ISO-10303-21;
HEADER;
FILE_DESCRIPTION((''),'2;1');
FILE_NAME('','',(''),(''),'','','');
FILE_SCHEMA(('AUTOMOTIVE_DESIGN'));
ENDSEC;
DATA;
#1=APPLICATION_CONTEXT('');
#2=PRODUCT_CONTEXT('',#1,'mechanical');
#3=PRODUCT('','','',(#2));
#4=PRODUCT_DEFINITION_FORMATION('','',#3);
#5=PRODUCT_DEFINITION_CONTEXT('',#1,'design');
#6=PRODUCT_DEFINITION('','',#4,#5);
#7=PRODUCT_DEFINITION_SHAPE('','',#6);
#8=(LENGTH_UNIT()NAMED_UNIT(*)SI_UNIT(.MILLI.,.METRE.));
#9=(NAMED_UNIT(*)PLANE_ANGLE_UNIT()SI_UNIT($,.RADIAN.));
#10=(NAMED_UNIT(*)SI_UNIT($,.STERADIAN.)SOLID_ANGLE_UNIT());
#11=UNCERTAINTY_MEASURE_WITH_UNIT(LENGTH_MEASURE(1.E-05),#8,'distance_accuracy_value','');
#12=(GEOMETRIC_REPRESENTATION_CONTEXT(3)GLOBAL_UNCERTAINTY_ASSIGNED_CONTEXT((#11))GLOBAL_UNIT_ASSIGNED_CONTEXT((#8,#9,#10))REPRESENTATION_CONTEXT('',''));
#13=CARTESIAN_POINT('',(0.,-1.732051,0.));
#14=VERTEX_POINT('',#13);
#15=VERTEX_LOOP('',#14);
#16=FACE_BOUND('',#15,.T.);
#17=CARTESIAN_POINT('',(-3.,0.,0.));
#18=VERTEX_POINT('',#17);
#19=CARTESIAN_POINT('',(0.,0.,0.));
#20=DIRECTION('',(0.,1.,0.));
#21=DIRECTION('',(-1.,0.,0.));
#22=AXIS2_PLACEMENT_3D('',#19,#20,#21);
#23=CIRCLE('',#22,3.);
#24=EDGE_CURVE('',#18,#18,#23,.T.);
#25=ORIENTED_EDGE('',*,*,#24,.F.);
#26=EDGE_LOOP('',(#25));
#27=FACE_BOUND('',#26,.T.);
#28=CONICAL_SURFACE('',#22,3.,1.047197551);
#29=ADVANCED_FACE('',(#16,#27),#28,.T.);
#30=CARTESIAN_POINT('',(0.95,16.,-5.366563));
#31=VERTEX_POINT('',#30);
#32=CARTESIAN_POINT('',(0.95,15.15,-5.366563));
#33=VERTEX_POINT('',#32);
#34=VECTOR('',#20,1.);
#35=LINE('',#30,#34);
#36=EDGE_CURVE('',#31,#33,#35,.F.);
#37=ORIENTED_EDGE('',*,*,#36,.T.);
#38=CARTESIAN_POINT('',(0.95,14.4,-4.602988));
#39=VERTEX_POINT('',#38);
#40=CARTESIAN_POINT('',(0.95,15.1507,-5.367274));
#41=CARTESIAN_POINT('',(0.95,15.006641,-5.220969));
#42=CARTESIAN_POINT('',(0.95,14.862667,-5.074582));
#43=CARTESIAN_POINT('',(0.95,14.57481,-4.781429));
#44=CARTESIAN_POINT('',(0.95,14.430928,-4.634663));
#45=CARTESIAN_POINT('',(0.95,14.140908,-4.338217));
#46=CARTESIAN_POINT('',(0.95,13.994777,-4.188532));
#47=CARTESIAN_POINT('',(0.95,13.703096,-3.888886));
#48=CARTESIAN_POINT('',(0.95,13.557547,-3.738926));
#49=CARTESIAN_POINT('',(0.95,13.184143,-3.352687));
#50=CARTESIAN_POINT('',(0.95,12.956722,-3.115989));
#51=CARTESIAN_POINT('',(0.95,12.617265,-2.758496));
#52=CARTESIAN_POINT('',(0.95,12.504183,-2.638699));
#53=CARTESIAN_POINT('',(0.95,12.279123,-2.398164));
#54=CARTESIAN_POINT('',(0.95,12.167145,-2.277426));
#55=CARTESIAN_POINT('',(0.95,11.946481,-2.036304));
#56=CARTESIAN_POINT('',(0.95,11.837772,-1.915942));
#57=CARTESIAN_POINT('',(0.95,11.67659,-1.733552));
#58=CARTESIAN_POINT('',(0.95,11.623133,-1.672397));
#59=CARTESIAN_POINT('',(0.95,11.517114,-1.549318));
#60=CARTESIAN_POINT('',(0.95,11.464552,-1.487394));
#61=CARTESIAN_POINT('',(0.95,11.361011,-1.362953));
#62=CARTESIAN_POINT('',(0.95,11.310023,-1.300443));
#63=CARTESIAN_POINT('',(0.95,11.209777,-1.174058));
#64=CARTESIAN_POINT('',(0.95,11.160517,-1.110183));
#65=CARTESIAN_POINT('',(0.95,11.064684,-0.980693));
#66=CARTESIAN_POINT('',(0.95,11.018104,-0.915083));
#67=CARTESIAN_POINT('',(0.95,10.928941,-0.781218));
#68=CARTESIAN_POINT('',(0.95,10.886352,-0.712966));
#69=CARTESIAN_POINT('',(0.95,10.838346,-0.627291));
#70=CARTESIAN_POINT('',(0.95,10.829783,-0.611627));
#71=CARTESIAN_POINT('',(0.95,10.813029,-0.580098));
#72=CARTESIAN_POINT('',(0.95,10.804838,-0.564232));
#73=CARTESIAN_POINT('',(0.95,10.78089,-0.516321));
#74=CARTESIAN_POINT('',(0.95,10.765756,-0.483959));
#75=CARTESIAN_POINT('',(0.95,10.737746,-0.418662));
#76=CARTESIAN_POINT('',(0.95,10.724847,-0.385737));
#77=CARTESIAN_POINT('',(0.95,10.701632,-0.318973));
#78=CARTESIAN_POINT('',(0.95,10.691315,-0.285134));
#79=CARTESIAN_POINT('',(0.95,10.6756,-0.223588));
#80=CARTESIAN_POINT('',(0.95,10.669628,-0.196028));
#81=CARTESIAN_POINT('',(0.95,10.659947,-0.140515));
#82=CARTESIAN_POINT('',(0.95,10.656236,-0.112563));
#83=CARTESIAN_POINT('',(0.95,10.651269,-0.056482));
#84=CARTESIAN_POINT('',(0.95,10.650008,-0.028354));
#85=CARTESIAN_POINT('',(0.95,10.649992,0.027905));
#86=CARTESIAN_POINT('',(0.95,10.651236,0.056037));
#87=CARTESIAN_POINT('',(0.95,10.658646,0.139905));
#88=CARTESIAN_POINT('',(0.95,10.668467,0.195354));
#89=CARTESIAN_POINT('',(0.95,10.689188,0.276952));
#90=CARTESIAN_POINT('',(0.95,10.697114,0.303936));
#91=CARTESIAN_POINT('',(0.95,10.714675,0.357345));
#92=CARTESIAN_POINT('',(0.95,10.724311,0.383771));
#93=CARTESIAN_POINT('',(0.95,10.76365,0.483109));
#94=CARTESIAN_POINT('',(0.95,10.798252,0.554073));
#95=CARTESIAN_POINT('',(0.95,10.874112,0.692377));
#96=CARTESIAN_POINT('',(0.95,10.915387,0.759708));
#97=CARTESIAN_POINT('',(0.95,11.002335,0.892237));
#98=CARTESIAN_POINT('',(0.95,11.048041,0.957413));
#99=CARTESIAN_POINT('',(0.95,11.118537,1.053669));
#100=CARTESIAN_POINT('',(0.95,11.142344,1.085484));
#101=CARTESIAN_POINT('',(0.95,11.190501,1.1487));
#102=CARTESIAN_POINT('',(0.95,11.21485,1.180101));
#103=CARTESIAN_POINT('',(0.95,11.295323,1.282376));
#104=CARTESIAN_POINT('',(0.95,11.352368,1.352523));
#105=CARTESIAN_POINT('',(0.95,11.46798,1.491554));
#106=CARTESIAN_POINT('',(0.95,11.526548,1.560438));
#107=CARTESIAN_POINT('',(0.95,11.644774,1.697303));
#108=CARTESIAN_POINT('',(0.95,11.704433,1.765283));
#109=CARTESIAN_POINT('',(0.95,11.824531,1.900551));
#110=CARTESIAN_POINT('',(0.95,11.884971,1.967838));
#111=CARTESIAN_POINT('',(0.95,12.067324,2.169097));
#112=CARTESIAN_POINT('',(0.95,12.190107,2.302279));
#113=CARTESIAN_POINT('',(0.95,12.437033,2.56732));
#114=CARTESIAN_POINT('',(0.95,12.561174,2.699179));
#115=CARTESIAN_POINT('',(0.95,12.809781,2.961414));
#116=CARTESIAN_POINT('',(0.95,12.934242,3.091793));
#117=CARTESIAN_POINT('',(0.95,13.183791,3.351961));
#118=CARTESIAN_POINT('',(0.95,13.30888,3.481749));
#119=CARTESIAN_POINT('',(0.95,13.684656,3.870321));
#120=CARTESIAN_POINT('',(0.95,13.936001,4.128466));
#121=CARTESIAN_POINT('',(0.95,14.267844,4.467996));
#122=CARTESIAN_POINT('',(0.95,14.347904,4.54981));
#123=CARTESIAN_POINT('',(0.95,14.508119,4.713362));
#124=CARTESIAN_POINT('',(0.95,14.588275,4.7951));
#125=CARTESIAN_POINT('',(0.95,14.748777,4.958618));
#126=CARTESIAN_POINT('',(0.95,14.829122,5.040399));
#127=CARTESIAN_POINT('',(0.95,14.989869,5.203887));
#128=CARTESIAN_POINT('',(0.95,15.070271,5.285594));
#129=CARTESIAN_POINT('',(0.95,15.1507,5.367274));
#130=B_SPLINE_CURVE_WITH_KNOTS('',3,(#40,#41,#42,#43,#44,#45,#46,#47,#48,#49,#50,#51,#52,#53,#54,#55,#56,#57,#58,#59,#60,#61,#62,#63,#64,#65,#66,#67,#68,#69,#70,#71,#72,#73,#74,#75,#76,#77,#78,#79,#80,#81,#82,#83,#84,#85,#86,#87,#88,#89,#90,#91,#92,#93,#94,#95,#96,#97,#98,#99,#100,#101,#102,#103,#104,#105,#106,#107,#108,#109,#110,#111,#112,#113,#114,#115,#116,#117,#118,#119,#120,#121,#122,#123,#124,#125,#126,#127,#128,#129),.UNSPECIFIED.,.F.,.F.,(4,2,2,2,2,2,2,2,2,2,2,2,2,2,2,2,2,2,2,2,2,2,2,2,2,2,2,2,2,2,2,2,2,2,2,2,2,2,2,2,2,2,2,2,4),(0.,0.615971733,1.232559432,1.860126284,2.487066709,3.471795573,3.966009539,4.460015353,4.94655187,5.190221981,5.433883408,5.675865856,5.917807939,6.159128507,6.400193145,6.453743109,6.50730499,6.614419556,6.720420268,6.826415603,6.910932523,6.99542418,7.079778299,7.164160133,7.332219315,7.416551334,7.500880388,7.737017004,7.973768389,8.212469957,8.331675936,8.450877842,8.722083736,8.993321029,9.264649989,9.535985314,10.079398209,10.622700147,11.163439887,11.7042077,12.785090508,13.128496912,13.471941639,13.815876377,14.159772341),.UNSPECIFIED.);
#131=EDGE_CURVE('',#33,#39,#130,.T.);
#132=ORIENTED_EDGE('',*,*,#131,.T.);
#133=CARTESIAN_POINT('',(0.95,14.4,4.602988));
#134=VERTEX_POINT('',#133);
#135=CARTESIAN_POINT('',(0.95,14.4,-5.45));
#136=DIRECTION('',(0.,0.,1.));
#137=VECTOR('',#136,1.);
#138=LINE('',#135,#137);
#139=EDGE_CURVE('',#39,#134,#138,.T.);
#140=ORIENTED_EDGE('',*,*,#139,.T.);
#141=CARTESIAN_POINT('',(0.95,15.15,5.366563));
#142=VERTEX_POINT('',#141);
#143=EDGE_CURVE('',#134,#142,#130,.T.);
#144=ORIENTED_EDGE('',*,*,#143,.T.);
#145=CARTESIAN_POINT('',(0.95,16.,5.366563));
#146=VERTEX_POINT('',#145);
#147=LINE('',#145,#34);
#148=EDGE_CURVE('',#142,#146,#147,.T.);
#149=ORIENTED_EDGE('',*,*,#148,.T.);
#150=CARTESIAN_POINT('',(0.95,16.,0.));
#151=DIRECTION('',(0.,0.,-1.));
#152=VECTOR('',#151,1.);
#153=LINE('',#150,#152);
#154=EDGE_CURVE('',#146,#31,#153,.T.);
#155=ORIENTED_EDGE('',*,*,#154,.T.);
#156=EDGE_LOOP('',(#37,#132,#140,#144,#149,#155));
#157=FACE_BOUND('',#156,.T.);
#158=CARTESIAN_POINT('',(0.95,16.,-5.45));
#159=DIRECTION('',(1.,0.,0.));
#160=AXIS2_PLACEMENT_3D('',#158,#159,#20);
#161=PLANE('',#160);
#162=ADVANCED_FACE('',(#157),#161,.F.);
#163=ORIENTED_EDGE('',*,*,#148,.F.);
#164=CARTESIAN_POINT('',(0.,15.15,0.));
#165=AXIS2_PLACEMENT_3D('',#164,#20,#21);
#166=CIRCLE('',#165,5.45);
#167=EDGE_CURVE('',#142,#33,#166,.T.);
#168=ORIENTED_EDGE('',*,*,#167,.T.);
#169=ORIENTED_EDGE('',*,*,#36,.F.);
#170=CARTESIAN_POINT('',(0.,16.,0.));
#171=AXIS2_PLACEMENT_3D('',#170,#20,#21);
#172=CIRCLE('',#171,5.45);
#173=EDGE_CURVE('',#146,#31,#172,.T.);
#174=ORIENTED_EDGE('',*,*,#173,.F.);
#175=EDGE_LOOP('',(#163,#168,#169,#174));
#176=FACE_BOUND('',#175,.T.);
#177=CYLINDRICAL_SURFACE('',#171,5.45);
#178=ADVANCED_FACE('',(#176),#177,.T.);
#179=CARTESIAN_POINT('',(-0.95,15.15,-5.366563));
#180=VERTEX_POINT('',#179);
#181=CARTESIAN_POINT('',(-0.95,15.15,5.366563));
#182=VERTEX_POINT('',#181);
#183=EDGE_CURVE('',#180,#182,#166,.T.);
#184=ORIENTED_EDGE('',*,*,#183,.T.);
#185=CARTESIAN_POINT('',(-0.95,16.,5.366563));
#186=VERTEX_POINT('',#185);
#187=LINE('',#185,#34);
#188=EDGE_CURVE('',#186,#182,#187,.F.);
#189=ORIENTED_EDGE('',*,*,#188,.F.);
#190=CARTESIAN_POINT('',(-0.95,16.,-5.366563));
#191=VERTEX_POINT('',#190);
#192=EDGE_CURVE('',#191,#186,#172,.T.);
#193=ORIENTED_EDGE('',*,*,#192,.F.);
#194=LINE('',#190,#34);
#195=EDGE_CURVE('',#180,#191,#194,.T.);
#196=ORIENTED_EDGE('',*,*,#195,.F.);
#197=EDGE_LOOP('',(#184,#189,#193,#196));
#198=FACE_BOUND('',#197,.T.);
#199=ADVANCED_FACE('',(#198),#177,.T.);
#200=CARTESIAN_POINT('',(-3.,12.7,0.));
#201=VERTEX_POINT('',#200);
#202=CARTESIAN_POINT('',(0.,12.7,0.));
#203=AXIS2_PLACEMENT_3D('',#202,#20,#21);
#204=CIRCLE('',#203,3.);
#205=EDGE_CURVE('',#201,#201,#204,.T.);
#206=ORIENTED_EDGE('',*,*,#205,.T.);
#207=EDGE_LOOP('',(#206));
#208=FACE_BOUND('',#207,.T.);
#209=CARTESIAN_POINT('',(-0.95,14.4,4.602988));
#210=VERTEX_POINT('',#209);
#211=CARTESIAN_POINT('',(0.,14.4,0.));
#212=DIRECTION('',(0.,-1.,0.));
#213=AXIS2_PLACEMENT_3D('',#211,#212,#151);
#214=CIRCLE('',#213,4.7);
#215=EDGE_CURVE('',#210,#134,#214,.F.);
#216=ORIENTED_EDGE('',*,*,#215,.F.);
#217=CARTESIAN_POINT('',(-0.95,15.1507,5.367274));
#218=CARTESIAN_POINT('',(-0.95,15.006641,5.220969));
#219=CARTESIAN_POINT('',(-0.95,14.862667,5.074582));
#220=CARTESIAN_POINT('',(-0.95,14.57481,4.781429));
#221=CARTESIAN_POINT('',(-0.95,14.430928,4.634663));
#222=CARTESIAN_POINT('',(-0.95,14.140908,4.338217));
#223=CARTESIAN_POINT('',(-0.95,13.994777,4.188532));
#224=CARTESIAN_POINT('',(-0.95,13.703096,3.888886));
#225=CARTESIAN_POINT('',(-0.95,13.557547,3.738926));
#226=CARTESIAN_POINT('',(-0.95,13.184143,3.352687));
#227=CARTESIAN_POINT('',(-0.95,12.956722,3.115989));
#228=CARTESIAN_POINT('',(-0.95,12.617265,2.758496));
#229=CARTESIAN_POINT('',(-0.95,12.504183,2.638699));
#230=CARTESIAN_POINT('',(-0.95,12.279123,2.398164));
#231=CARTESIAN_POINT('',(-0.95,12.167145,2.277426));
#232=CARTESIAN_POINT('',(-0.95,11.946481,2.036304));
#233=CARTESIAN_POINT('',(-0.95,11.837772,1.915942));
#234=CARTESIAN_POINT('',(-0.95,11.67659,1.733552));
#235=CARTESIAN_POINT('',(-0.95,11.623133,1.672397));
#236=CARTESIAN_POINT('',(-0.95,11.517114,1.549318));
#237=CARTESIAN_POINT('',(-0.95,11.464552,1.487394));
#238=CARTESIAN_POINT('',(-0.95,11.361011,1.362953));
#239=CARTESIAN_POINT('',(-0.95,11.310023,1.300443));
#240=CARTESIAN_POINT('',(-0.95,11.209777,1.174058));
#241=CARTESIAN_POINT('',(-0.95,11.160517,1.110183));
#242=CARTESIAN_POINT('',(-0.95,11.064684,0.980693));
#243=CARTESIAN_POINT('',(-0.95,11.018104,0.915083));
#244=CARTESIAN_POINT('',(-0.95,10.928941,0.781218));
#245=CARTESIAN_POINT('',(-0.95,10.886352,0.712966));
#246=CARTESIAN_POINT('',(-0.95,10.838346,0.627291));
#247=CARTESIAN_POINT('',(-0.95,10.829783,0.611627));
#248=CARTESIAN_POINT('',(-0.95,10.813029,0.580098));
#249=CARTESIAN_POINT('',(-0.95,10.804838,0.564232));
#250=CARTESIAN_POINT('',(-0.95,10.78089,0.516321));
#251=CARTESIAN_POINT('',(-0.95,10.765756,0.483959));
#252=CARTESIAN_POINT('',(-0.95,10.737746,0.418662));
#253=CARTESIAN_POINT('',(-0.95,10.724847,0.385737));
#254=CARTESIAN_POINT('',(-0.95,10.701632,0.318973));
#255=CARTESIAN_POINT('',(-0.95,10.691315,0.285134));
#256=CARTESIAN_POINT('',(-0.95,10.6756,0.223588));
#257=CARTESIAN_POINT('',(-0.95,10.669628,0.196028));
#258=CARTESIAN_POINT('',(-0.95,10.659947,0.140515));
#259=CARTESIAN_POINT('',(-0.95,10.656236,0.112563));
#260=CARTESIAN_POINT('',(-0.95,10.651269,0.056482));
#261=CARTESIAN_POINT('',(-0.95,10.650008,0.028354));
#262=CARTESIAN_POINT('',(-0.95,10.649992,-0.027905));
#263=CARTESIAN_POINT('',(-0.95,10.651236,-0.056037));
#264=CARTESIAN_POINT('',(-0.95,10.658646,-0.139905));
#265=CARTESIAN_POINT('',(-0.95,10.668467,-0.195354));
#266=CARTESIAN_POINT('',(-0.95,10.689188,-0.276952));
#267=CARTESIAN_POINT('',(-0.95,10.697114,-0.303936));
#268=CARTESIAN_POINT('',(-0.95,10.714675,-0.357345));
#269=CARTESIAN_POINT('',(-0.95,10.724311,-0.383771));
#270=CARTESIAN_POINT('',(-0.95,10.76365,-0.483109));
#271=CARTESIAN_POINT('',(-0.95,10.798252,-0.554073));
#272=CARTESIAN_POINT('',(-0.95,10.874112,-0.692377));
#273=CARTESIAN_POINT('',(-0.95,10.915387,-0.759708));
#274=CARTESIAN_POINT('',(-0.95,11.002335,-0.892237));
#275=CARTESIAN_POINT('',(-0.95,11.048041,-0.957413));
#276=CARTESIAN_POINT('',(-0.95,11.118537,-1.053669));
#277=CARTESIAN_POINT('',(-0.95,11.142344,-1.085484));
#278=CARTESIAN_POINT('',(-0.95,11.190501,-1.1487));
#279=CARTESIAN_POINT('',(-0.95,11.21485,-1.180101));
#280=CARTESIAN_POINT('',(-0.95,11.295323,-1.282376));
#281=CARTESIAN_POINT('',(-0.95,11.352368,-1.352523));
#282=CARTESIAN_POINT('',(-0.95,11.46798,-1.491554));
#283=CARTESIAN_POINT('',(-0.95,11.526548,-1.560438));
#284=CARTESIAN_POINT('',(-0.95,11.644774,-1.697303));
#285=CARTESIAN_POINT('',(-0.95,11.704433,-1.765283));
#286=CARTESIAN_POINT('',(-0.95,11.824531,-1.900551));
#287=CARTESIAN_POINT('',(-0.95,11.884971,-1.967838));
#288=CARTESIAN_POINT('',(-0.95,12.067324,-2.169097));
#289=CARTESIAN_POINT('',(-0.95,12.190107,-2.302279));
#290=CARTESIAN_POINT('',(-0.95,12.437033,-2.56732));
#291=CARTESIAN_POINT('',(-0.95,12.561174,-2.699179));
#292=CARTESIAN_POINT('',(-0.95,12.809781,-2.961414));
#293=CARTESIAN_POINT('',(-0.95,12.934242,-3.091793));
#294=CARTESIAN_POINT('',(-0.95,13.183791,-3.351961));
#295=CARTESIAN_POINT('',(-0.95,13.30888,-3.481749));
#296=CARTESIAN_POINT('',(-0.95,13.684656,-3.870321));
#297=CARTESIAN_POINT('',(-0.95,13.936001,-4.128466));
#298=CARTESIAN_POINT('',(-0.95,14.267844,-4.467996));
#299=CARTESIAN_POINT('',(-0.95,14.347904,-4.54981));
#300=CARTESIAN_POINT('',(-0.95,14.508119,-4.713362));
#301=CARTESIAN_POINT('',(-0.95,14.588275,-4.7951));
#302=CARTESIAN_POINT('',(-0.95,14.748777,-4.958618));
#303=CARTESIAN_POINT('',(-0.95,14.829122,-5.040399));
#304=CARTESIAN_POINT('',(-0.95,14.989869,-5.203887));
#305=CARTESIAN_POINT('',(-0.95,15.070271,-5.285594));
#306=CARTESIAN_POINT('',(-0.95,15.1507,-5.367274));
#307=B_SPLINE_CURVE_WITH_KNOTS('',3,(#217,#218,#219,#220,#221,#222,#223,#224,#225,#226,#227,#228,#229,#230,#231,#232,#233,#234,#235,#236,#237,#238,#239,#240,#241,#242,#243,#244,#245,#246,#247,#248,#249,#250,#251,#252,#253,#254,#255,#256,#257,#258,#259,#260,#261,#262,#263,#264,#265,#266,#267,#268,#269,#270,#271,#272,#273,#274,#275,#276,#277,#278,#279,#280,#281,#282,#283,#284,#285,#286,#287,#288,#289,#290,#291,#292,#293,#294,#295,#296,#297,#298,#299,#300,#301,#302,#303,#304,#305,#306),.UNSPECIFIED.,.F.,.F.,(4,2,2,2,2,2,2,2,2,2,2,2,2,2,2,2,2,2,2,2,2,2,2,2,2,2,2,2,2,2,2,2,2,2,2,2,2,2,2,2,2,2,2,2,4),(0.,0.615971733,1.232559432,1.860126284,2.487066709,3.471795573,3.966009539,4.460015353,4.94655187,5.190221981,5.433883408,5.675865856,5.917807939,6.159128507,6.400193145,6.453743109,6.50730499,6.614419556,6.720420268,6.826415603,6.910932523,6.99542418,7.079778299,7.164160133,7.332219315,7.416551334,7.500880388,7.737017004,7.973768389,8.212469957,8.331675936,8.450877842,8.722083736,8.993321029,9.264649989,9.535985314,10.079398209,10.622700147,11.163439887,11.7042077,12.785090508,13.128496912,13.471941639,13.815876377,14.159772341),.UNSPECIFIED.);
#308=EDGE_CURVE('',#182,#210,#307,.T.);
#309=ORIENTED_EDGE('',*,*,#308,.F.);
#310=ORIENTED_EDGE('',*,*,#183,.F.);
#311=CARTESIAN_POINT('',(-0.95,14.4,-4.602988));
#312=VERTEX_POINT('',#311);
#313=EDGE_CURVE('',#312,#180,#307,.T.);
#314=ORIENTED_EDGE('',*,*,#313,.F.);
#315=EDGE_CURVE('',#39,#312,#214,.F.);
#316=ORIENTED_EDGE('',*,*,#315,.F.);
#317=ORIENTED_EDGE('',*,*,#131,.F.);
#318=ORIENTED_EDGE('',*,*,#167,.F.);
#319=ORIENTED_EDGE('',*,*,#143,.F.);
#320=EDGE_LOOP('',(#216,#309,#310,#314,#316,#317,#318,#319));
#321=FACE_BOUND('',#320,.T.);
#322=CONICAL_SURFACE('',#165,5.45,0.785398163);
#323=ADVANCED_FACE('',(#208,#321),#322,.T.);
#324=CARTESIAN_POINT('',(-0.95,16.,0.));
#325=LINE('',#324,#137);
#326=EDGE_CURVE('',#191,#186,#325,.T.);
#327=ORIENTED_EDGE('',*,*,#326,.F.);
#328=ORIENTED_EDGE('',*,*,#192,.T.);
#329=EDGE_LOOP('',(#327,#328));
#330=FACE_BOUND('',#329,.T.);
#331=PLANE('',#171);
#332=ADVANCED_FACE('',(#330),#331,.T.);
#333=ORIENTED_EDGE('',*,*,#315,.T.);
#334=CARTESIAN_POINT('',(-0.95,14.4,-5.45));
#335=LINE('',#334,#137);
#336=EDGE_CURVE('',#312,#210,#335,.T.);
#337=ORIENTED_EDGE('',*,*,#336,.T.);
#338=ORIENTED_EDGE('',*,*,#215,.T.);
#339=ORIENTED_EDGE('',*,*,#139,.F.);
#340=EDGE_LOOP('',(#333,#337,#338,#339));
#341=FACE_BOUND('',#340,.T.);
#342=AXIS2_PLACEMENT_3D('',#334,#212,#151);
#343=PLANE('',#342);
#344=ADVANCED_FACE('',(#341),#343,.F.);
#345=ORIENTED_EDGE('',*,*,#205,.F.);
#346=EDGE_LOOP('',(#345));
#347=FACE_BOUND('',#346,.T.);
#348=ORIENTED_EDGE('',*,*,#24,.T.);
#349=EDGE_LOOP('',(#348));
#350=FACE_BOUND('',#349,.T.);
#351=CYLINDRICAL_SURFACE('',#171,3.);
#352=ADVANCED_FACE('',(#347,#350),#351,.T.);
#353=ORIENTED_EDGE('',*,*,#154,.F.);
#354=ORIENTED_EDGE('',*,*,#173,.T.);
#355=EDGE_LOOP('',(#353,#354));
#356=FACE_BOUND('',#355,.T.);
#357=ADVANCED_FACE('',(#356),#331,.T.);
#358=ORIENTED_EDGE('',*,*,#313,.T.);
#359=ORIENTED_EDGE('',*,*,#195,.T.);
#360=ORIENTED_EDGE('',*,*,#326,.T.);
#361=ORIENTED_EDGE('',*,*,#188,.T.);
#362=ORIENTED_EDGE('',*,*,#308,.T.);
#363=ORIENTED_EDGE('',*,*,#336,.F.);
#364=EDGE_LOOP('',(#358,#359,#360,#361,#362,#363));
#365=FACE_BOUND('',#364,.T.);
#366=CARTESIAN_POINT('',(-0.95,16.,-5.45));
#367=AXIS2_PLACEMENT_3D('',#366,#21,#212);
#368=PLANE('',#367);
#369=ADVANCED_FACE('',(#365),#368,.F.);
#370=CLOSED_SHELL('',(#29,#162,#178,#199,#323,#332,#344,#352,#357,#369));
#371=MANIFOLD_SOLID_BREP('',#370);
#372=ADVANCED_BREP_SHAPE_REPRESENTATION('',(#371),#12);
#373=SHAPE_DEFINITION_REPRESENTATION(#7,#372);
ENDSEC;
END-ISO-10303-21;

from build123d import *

# Parameters (mm, degrees)
CUT_EXTRUDE1_DEPTH      = 18.759645267
CUT_EXTRUDE1_DEPTH_BACK = 18.759645267
SKETCH2_W               = 1.9
SKETCH2_H               = 1.6


with BuildPart() as part:
    # Sketch1 → Revolve1 (revolve)
    with BuildSketch(Plane.XY):
        Polygon((0, 16), (-5.45, 16), (-5.45, 15.15), (-3, 12.7), (-3, 0), (0, -1.732050808), align=None)
    revolve(axis=Axis((0, 16, 0), (0, -1, 0)))

    # Sketch2 → Cut-Extrude1 (cut, two sides: drawn at the far end of the back side and taken through both)
    with BuildSketch(Plane.XY.offset(-CUT_EXTRUDE1_DEPTH_BACK)):
        with Locations((0, 15.2)):
            Rectangle(SKETCH2_W, SKETCH2_H)
    extrude(amount=CUT_EXTRUDE1_DEPTH + CUT_EXTRUDE1_DEPTH_BACK, mode=Mode.SUBTRACT)


solid = part.part
